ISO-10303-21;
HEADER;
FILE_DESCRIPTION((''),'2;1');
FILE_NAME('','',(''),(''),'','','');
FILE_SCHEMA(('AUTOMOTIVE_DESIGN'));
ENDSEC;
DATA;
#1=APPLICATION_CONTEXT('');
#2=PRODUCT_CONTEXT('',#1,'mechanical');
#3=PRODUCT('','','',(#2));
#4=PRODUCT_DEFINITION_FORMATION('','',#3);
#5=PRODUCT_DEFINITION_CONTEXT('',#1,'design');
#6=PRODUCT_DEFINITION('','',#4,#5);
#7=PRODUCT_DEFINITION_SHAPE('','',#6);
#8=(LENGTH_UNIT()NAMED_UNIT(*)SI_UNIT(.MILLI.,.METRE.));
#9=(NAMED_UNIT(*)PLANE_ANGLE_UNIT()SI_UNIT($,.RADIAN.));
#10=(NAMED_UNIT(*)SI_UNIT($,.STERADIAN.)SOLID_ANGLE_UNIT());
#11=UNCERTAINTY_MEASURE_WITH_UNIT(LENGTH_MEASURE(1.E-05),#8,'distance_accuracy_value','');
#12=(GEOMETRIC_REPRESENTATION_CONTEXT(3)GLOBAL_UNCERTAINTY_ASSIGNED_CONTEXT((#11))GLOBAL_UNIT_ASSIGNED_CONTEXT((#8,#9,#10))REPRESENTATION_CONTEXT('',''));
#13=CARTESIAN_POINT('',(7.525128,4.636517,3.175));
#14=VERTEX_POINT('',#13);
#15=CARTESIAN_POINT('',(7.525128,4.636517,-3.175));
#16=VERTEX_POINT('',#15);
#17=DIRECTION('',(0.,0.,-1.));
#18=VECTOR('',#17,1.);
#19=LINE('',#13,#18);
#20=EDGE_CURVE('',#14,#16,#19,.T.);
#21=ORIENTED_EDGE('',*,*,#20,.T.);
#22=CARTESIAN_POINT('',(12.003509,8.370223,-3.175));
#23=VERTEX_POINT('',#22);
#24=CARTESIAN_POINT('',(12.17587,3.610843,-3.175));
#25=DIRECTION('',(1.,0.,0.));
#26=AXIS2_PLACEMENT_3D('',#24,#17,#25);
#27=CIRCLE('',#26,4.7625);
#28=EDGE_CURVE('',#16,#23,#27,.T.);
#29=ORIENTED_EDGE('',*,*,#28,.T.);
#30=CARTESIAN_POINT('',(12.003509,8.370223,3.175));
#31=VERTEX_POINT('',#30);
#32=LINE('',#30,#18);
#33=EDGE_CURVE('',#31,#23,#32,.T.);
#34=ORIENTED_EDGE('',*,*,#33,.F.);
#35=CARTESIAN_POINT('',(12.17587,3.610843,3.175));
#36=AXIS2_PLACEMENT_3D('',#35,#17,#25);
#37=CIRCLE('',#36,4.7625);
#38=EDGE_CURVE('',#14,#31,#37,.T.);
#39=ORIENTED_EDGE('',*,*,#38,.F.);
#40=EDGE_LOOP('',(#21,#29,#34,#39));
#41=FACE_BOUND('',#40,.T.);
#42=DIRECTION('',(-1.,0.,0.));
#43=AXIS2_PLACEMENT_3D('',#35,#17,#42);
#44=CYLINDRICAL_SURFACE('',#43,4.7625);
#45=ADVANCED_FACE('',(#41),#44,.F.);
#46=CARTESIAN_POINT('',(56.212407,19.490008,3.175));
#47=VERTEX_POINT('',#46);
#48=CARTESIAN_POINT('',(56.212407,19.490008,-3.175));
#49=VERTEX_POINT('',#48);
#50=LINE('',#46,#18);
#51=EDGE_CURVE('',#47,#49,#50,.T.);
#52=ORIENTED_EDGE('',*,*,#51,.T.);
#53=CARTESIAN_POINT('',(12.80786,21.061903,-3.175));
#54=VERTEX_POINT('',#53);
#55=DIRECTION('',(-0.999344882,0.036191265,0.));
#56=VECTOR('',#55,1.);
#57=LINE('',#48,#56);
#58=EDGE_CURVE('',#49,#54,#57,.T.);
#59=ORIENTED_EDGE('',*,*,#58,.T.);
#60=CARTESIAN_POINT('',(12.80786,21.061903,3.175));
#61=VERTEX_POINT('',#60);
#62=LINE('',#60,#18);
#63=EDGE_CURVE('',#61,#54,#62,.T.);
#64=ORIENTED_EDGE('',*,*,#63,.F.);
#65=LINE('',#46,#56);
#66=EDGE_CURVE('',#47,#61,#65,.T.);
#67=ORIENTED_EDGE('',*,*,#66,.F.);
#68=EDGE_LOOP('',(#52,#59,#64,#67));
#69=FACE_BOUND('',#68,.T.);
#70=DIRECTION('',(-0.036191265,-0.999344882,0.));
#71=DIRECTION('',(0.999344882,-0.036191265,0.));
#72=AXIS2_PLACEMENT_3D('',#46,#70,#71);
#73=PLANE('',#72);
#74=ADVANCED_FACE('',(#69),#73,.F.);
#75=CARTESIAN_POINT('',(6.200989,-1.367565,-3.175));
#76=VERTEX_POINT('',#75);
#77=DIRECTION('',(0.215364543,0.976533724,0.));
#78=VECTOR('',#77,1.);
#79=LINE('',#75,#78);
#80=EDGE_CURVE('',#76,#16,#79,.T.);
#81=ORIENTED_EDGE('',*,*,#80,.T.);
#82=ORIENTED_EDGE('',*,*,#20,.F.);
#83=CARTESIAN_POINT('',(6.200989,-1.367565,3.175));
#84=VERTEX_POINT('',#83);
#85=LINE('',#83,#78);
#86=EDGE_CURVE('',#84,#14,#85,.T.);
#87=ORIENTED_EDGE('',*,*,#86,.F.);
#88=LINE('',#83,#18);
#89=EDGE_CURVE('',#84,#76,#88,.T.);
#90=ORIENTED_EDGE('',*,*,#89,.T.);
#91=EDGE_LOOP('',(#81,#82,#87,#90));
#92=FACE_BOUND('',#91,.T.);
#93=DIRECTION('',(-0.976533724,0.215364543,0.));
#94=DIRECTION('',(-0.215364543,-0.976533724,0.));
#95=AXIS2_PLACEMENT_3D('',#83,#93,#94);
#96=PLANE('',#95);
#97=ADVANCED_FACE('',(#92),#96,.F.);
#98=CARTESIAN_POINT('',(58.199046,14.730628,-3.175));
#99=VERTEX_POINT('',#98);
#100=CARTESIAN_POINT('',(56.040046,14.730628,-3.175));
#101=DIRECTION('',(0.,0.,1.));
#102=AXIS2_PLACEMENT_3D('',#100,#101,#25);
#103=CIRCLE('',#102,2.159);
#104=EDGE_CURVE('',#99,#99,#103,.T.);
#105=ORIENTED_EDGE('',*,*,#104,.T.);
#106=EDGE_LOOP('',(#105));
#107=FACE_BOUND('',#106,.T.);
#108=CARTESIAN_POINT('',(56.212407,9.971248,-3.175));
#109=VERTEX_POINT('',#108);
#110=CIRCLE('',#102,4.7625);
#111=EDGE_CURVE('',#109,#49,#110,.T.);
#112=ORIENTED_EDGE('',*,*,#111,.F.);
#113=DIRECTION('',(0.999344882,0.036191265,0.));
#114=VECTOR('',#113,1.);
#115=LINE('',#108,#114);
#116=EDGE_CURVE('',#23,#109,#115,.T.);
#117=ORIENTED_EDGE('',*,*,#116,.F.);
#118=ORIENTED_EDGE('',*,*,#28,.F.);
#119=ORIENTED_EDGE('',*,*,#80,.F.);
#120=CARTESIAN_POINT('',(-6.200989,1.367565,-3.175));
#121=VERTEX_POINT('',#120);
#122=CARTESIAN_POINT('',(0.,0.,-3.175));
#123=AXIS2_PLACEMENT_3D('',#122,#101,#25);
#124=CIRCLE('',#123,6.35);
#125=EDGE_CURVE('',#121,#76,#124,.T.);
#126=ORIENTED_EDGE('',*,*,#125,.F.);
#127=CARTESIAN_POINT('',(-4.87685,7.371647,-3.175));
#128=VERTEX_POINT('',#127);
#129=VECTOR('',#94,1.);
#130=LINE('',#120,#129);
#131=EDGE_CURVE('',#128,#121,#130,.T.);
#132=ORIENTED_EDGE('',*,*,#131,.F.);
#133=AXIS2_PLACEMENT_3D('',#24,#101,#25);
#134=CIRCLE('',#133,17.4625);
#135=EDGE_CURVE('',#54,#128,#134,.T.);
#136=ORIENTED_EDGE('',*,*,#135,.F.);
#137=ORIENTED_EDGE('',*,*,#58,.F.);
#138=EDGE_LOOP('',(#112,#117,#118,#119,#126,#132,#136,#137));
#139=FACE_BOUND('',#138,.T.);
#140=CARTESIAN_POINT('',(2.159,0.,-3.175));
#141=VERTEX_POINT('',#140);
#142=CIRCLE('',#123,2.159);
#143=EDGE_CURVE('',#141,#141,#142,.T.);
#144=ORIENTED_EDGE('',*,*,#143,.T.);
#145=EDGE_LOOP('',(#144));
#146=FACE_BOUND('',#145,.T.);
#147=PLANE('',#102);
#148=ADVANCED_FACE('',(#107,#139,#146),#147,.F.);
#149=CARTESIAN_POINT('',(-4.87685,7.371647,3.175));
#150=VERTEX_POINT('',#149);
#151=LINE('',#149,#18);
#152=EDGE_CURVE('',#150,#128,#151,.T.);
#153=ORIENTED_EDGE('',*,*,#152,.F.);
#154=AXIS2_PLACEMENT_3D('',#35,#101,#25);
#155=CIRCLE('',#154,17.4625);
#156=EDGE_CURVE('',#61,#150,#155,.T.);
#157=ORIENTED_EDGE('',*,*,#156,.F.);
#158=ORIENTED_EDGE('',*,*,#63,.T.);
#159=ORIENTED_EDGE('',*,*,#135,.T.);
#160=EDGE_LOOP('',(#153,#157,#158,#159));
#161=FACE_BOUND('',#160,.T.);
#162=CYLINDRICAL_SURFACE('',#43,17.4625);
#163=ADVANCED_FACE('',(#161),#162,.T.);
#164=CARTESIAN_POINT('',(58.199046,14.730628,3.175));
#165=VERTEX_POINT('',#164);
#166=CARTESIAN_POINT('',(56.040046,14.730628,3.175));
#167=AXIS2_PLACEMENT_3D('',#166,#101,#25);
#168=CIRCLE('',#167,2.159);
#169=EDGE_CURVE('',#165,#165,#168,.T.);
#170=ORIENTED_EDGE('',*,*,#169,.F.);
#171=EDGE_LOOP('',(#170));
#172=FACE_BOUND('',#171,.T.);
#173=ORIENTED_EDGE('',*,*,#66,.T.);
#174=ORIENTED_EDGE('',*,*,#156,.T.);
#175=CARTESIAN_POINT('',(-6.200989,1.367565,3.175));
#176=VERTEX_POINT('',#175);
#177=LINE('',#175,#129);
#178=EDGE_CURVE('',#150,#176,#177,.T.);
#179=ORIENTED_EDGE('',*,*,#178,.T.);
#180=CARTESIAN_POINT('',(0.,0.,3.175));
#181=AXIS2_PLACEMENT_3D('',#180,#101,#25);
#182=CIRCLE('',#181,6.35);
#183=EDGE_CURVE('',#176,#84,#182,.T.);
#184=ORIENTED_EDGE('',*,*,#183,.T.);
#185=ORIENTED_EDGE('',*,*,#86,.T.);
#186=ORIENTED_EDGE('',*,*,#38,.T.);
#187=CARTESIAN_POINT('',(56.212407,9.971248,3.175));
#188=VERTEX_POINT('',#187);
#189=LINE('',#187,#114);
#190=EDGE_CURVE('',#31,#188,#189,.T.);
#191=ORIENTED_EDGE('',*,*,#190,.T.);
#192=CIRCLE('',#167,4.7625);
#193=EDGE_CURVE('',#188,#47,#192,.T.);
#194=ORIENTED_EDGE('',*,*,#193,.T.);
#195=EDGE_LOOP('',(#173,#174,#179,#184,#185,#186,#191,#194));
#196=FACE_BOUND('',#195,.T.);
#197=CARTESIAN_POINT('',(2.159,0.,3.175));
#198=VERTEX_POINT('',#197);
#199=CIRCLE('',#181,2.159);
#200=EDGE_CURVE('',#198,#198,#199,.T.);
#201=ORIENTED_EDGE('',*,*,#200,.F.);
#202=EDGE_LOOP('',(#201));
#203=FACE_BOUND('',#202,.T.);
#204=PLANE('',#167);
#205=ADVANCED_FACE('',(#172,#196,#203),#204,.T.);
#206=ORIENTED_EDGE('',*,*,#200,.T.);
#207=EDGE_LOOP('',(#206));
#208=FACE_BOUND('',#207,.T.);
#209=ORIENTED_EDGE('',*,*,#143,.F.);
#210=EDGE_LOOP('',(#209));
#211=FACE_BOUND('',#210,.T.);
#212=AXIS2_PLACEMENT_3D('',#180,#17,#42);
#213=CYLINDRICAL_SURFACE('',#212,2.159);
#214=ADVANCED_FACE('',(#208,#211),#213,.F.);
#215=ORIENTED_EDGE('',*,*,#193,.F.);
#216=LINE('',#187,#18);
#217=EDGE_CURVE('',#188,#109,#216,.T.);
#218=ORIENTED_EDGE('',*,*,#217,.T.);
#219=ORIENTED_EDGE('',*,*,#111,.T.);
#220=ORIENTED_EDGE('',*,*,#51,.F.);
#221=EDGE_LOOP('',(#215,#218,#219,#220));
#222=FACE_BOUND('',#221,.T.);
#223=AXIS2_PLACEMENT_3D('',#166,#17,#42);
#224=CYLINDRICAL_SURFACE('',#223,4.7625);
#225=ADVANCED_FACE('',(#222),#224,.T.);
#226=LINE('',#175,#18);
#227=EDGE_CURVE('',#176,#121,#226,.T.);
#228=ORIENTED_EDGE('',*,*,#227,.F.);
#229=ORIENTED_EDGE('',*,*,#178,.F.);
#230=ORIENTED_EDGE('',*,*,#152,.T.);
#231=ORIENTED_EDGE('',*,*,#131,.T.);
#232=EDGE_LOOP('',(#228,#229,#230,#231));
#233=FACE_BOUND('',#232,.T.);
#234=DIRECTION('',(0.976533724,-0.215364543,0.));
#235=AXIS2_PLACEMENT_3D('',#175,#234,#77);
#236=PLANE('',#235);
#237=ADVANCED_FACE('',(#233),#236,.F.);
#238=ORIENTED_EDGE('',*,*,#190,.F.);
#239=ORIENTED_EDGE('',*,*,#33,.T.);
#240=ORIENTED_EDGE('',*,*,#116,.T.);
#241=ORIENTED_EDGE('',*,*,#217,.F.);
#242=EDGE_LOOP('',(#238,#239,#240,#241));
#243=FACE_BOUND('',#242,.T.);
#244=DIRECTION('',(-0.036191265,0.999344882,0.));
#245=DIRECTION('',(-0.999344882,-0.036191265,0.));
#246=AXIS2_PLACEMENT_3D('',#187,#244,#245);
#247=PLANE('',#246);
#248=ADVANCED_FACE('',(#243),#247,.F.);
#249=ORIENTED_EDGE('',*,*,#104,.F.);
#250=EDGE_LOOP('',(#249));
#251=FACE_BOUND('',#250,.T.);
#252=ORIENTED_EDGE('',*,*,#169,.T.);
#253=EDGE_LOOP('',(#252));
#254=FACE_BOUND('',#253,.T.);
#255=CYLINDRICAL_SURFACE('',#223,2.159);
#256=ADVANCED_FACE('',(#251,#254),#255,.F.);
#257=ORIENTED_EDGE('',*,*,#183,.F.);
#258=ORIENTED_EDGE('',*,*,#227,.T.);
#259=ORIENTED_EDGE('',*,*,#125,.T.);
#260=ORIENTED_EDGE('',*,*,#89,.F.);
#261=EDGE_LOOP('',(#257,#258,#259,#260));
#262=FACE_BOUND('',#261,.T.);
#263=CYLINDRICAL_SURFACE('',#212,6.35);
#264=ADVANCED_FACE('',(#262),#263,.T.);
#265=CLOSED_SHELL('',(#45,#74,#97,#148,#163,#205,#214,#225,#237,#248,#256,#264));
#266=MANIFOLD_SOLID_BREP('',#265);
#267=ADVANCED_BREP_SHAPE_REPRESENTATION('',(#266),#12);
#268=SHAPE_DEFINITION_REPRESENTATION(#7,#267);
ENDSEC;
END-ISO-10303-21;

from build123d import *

# Parameters (mm, degrees)
SKETCH1_R           = 2.159
BOSS_EXTRUDE1_DEPTH = 3.175


with BuildPart() as part:
    # Sketch1 → Boss-Extrude1 (new, symmetric)
    with BuildSketch(Plane.XY):
        with BuildLine():
            Line((56.212406906, 19.490008209), (12.807859934, 21.061903429))
            ThreePointArc((12.807859934, 21.061903429), (1.486348152, 17.419283948), (-4.876850173, 7.371646773))
            Line((-4.876850173, 7.371646773), (-6.200989145, 1.36756485))
            ThreePointArc((-6.200989145, 1.36756485), (-1.36756485, -6.200989145), (6.200989145, -1.36756485))
            Line((6.200989145, -1.36756485), (7.525128118, 4.636517072))
            ThreePointArc((7.525128118, 4.636517072), (9.126161655, 7.268805354), (12.003509079, 8.370223433))
            Line((12.003509079, 8.370223433), (56.212406906, 9.971248211))
            ThreePointArc((56.212406906, 9.971248211), (60.802546008, 14.73062821), (56.212406906, 19.490008209))
        make_face()
        Circle(SKETCH1_R, mode=Mode.SUBTRACT)
        with Locations((56.040046008, 14.73062821)):
            Circle(SKETCH1_R, mode=Mode.SUBTRACT)
    extrude(amount=BOSS_EXTRUDE1_DEPTH, both=True)


solid = part.part
